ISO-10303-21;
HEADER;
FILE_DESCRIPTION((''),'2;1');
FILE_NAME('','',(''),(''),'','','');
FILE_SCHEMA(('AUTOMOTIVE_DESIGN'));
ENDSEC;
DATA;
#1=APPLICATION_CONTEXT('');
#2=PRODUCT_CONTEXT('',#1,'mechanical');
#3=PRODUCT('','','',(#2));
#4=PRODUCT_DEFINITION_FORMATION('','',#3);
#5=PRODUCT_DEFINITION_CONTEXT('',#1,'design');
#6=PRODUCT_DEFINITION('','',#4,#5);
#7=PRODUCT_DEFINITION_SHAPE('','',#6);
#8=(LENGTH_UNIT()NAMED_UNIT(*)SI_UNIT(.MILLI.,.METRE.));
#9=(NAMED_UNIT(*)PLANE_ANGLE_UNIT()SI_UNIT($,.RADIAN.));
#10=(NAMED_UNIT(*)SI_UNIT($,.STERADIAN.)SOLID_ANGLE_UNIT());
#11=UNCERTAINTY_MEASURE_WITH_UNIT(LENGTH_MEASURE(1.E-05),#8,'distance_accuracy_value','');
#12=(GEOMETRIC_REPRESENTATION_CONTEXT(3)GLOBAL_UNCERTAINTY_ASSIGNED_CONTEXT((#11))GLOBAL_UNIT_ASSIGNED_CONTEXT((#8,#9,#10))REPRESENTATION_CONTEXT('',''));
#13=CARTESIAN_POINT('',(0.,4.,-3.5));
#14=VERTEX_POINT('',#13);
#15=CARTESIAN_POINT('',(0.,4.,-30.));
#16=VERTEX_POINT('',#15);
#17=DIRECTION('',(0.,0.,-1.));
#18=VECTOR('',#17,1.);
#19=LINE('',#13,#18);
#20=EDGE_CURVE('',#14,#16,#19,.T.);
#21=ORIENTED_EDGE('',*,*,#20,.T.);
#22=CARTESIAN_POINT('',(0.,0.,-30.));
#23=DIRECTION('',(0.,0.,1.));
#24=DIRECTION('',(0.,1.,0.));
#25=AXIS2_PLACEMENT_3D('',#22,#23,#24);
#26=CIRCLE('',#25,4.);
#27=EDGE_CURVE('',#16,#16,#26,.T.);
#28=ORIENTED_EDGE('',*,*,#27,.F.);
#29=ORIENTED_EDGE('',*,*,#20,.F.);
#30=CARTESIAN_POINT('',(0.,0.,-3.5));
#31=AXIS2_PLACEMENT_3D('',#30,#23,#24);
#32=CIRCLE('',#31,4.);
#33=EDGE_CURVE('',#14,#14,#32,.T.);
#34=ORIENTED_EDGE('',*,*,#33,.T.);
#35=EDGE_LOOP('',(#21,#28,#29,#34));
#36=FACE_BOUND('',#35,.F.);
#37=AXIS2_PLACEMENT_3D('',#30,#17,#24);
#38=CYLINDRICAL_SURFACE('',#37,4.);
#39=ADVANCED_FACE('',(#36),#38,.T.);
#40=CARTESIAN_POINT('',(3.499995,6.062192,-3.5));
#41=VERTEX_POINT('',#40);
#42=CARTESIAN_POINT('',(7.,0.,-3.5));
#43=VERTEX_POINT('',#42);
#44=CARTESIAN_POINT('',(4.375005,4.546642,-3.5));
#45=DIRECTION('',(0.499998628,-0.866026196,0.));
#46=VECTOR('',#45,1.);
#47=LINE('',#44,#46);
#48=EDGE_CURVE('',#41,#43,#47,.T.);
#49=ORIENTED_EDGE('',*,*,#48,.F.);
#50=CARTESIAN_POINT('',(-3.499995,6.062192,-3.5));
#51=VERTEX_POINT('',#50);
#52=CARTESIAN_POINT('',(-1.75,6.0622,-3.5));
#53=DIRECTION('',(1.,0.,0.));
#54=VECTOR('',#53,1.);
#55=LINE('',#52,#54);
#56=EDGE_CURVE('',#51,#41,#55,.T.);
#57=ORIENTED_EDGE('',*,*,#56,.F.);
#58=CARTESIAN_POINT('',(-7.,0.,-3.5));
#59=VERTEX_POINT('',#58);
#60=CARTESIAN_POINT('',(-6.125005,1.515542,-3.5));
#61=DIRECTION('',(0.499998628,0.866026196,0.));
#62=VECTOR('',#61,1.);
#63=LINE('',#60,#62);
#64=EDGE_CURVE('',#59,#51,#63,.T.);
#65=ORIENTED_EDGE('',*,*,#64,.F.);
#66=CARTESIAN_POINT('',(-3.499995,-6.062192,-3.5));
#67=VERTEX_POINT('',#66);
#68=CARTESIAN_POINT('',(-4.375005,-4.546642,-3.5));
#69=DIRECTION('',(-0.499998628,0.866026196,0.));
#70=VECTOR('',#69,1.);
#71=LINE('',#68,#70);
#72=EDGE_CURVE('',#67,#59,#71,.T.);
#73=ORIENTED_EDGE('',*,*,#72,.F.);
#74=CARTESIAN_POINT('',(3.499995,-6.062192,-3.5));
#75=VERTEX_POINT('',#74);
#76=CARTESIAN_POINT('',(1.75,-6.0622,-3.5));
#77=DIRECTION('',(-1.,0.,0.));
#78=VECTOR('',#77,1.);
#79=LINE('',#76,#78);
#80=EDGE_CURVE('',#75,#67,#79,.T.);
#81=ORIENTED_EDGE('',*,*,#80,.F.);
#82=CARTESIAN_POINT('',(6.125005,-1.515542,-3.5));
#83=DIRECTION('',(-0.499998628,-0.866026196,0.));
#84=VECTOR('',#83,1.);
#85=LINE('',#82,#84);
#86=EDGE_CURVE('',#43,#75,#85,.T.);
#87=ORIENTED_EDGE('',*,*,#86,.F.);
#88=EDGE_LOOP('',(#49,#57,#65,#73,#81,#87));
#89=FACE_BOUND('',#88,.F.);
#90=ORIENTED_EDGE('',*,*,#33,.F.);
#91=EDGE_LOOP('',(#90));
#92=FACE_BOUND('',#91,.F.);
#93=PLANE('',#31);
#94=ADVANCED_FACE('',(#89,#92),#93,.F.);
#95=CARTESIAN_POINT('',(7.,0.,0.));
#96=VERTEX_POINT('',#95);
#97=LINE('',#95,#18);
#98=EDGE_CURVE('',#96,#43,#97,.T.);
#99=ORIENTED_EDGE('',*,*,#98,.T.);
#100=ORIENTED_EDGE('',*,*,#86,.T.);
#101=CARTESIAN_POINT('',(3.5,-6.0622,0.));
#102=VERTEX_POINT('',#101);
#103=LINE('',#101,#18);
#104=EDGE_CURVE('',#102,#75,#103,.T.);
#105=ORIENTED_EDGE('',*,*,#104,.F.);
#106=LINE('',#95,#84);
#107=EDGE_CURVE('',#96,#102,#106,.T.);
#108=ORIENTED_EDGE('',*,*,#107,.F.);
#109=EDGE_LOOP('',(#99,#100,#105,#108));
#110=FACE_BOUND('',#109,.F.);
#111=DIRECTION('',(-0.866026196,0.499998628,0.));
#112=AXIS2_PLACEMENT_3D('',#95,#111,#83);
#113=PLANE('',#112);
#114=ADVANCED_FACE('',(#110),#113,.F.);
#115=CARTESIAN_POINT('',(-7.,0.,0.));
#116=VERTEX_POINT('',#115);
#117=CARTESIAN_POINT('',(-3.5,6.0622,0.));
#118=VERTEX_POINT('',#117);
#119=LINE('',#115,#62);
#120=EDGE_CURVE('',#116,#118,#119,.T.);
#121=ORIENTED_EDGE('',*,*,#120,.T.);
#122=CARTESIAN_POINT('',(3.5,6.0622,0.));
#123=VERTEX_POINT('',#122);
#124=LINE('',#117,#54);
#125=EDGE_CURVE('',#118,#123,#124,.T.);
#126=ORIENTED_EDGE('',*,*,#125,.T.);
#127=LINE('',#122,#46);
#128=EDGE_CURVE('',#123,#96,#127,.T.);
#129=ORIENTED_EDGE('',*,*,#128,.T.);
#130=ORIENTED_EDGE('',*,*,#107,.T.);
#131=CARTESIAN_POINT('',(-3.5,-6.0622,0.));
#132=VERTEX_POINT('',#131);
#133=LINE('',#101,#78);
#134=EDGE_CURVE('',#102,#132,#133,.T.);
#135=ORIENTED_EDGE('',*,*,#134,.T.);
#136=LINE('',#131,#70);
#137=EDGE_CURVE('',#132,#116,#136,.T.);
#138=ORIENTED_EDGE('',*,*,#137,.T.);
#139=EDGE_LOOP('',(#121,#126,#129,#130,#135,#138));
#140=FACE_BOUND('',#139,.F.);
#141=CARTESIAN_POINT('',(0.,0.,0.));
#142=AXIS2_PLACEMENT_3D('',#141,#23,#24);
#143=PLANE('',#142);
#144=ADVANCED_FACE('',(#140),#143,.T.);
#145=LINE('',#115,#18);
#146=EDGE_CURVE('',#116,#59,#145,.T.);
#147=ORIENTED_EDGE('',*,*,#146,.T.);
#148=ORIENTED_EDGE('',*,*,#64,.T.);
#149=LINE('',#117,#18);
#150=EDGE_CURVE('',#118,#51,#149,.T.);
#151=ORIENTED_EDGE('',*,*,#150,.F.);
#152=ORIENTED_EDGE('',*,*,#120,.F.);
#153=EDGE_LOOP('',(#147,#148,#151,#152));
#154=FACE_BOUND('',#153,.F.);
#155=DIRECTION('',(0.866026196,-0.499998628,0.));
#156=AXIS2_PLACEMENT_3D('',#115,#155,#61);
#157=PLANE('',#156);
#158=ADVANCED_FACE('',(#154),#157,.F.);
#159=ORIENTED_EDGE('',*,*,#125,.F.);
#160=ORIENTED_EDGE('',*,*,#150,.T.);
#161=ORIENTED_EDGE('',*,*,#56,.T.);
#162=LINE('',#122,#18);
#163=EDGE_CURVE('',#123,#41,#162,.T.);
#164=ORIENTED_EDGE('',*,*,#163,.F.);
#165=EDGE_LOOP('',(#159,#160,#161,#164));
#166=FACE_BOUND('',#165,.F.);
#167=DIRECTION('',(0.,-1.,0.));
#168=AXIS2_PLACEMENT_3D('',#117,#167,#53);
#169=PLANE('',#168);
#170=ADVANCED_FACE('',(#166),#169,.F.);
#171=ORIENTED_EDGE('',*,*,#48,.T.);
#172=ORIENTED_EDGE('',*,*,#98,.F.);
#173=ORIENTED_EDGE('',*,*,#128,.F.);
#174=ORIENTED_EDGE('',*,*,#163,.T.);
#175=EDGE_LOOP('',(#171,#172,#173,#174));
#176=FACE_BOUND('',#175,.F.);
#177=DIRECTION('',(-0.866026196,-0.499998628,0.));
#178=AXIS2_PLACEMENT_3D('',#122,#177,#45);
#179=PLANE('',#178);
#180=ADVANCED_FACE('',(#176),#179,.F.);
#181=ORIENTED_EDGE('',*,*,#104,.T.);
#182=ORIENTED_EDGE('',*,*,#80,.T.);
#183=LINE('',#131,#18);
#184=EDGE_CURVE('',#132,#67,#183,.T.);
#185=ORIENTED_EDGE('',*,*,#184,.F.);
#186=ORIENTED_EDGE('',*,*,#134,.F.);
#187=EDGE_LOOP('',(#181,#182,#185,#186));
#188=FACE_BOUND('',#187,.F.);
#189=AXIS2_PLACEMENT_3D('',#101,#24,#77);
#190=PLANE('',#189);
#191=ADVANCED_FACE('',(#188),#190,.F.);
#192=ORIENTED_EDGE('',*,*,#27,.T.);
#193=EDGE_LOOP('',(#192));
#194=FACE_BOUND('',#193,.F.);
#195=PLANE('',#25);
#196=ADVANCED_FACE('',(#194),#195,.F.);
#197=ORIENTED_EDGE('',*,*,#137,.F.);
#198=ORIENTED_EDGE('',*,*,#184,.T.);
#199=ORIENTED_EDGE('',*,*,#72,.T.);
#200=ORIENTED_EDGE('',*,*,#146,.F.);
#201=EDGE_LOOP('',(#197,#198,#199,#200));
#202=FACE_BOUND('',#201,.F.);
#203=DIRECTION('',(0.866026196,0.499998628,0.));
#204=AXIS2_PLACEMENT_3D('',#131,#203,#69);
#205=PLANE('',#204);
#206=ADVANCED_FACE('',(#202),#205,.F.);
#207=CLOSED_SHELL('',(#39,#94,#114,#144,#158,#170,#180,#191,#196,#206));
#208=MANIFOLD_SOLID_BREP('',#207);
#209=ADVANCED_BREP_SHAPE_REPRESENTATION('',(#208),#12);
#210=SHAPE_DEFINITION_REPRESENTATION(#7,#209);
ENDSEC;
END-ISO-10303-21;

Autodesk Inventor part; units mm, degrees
ref_plane "YZ Plane" through (0, 0, 0) normal (1, 0, 0) x (0, 1, 0)
ref_plane "XZ Plane" through (0, 0, 0) normal (0, 1, 0) x (-1, 0, 0)
ref_plane "XY Plane" through (0, 0, 0) normal (0, 0, 1) x (1, 0, 0)
sketch "Sketch1" plane through (0, 0, 0) normal (1, 0, 0) x (0, 1, 0)
  line L0 (0, 0) -> (7, 0)
  line L1 (7, 0) -> (7, -3.5)
  line L2 (7, -3.5) -> (4, -3.5)
  line L3 (4, -3.5) -> (4, -30)
  line L4 (4, -30) -> (0, -30)
  line L5 (0, -36) -> (0, 6) projected
  dimension "d0" = 3.5
  dimension "d1" = 4
  dimension "d2" = 30
  dimension "d3" = 7
revolve "Revolution1" add sketch "Sketch1" angle 360 about axis through (0, 0, -10) along (0, 0, 1)
sketch "Sketch2" plane through (0, 0, 0) normal (0, 0, 1) x (1, 0, 0)
  circle A0 centre (0, 0) radius 7 projected
  circle A1 centre (0, 0) radius 7 projected
  line L0 (7, 0) -> (3.5, -6.0622)
  line L1 (3.5, -6.0622) -> (-3.5, -6.0622)
  line L2 (-3.5, -6.0622) -> (-7, 0)
  line L3 (-7, 0) -> (-3.5, 6.0622)
  line L4 (-3.5, 6.0622) -> (3.5, 6.0622)
  line L5 (3.5, 6.0622) -> (7, 0)
  line L6 (-9.8, 0) -> (9.8, 0) projected
  point P0 (-7, 0)
  point P1 (-7, 0)
extrude "Extrusion1" cut sketch "Sketch2" against normal blind 10 contours L5 A0 | A0 L0 | L4 A0 | A0 L1 | L2 A0 | A0 L3
properties part number "sruba m8"
